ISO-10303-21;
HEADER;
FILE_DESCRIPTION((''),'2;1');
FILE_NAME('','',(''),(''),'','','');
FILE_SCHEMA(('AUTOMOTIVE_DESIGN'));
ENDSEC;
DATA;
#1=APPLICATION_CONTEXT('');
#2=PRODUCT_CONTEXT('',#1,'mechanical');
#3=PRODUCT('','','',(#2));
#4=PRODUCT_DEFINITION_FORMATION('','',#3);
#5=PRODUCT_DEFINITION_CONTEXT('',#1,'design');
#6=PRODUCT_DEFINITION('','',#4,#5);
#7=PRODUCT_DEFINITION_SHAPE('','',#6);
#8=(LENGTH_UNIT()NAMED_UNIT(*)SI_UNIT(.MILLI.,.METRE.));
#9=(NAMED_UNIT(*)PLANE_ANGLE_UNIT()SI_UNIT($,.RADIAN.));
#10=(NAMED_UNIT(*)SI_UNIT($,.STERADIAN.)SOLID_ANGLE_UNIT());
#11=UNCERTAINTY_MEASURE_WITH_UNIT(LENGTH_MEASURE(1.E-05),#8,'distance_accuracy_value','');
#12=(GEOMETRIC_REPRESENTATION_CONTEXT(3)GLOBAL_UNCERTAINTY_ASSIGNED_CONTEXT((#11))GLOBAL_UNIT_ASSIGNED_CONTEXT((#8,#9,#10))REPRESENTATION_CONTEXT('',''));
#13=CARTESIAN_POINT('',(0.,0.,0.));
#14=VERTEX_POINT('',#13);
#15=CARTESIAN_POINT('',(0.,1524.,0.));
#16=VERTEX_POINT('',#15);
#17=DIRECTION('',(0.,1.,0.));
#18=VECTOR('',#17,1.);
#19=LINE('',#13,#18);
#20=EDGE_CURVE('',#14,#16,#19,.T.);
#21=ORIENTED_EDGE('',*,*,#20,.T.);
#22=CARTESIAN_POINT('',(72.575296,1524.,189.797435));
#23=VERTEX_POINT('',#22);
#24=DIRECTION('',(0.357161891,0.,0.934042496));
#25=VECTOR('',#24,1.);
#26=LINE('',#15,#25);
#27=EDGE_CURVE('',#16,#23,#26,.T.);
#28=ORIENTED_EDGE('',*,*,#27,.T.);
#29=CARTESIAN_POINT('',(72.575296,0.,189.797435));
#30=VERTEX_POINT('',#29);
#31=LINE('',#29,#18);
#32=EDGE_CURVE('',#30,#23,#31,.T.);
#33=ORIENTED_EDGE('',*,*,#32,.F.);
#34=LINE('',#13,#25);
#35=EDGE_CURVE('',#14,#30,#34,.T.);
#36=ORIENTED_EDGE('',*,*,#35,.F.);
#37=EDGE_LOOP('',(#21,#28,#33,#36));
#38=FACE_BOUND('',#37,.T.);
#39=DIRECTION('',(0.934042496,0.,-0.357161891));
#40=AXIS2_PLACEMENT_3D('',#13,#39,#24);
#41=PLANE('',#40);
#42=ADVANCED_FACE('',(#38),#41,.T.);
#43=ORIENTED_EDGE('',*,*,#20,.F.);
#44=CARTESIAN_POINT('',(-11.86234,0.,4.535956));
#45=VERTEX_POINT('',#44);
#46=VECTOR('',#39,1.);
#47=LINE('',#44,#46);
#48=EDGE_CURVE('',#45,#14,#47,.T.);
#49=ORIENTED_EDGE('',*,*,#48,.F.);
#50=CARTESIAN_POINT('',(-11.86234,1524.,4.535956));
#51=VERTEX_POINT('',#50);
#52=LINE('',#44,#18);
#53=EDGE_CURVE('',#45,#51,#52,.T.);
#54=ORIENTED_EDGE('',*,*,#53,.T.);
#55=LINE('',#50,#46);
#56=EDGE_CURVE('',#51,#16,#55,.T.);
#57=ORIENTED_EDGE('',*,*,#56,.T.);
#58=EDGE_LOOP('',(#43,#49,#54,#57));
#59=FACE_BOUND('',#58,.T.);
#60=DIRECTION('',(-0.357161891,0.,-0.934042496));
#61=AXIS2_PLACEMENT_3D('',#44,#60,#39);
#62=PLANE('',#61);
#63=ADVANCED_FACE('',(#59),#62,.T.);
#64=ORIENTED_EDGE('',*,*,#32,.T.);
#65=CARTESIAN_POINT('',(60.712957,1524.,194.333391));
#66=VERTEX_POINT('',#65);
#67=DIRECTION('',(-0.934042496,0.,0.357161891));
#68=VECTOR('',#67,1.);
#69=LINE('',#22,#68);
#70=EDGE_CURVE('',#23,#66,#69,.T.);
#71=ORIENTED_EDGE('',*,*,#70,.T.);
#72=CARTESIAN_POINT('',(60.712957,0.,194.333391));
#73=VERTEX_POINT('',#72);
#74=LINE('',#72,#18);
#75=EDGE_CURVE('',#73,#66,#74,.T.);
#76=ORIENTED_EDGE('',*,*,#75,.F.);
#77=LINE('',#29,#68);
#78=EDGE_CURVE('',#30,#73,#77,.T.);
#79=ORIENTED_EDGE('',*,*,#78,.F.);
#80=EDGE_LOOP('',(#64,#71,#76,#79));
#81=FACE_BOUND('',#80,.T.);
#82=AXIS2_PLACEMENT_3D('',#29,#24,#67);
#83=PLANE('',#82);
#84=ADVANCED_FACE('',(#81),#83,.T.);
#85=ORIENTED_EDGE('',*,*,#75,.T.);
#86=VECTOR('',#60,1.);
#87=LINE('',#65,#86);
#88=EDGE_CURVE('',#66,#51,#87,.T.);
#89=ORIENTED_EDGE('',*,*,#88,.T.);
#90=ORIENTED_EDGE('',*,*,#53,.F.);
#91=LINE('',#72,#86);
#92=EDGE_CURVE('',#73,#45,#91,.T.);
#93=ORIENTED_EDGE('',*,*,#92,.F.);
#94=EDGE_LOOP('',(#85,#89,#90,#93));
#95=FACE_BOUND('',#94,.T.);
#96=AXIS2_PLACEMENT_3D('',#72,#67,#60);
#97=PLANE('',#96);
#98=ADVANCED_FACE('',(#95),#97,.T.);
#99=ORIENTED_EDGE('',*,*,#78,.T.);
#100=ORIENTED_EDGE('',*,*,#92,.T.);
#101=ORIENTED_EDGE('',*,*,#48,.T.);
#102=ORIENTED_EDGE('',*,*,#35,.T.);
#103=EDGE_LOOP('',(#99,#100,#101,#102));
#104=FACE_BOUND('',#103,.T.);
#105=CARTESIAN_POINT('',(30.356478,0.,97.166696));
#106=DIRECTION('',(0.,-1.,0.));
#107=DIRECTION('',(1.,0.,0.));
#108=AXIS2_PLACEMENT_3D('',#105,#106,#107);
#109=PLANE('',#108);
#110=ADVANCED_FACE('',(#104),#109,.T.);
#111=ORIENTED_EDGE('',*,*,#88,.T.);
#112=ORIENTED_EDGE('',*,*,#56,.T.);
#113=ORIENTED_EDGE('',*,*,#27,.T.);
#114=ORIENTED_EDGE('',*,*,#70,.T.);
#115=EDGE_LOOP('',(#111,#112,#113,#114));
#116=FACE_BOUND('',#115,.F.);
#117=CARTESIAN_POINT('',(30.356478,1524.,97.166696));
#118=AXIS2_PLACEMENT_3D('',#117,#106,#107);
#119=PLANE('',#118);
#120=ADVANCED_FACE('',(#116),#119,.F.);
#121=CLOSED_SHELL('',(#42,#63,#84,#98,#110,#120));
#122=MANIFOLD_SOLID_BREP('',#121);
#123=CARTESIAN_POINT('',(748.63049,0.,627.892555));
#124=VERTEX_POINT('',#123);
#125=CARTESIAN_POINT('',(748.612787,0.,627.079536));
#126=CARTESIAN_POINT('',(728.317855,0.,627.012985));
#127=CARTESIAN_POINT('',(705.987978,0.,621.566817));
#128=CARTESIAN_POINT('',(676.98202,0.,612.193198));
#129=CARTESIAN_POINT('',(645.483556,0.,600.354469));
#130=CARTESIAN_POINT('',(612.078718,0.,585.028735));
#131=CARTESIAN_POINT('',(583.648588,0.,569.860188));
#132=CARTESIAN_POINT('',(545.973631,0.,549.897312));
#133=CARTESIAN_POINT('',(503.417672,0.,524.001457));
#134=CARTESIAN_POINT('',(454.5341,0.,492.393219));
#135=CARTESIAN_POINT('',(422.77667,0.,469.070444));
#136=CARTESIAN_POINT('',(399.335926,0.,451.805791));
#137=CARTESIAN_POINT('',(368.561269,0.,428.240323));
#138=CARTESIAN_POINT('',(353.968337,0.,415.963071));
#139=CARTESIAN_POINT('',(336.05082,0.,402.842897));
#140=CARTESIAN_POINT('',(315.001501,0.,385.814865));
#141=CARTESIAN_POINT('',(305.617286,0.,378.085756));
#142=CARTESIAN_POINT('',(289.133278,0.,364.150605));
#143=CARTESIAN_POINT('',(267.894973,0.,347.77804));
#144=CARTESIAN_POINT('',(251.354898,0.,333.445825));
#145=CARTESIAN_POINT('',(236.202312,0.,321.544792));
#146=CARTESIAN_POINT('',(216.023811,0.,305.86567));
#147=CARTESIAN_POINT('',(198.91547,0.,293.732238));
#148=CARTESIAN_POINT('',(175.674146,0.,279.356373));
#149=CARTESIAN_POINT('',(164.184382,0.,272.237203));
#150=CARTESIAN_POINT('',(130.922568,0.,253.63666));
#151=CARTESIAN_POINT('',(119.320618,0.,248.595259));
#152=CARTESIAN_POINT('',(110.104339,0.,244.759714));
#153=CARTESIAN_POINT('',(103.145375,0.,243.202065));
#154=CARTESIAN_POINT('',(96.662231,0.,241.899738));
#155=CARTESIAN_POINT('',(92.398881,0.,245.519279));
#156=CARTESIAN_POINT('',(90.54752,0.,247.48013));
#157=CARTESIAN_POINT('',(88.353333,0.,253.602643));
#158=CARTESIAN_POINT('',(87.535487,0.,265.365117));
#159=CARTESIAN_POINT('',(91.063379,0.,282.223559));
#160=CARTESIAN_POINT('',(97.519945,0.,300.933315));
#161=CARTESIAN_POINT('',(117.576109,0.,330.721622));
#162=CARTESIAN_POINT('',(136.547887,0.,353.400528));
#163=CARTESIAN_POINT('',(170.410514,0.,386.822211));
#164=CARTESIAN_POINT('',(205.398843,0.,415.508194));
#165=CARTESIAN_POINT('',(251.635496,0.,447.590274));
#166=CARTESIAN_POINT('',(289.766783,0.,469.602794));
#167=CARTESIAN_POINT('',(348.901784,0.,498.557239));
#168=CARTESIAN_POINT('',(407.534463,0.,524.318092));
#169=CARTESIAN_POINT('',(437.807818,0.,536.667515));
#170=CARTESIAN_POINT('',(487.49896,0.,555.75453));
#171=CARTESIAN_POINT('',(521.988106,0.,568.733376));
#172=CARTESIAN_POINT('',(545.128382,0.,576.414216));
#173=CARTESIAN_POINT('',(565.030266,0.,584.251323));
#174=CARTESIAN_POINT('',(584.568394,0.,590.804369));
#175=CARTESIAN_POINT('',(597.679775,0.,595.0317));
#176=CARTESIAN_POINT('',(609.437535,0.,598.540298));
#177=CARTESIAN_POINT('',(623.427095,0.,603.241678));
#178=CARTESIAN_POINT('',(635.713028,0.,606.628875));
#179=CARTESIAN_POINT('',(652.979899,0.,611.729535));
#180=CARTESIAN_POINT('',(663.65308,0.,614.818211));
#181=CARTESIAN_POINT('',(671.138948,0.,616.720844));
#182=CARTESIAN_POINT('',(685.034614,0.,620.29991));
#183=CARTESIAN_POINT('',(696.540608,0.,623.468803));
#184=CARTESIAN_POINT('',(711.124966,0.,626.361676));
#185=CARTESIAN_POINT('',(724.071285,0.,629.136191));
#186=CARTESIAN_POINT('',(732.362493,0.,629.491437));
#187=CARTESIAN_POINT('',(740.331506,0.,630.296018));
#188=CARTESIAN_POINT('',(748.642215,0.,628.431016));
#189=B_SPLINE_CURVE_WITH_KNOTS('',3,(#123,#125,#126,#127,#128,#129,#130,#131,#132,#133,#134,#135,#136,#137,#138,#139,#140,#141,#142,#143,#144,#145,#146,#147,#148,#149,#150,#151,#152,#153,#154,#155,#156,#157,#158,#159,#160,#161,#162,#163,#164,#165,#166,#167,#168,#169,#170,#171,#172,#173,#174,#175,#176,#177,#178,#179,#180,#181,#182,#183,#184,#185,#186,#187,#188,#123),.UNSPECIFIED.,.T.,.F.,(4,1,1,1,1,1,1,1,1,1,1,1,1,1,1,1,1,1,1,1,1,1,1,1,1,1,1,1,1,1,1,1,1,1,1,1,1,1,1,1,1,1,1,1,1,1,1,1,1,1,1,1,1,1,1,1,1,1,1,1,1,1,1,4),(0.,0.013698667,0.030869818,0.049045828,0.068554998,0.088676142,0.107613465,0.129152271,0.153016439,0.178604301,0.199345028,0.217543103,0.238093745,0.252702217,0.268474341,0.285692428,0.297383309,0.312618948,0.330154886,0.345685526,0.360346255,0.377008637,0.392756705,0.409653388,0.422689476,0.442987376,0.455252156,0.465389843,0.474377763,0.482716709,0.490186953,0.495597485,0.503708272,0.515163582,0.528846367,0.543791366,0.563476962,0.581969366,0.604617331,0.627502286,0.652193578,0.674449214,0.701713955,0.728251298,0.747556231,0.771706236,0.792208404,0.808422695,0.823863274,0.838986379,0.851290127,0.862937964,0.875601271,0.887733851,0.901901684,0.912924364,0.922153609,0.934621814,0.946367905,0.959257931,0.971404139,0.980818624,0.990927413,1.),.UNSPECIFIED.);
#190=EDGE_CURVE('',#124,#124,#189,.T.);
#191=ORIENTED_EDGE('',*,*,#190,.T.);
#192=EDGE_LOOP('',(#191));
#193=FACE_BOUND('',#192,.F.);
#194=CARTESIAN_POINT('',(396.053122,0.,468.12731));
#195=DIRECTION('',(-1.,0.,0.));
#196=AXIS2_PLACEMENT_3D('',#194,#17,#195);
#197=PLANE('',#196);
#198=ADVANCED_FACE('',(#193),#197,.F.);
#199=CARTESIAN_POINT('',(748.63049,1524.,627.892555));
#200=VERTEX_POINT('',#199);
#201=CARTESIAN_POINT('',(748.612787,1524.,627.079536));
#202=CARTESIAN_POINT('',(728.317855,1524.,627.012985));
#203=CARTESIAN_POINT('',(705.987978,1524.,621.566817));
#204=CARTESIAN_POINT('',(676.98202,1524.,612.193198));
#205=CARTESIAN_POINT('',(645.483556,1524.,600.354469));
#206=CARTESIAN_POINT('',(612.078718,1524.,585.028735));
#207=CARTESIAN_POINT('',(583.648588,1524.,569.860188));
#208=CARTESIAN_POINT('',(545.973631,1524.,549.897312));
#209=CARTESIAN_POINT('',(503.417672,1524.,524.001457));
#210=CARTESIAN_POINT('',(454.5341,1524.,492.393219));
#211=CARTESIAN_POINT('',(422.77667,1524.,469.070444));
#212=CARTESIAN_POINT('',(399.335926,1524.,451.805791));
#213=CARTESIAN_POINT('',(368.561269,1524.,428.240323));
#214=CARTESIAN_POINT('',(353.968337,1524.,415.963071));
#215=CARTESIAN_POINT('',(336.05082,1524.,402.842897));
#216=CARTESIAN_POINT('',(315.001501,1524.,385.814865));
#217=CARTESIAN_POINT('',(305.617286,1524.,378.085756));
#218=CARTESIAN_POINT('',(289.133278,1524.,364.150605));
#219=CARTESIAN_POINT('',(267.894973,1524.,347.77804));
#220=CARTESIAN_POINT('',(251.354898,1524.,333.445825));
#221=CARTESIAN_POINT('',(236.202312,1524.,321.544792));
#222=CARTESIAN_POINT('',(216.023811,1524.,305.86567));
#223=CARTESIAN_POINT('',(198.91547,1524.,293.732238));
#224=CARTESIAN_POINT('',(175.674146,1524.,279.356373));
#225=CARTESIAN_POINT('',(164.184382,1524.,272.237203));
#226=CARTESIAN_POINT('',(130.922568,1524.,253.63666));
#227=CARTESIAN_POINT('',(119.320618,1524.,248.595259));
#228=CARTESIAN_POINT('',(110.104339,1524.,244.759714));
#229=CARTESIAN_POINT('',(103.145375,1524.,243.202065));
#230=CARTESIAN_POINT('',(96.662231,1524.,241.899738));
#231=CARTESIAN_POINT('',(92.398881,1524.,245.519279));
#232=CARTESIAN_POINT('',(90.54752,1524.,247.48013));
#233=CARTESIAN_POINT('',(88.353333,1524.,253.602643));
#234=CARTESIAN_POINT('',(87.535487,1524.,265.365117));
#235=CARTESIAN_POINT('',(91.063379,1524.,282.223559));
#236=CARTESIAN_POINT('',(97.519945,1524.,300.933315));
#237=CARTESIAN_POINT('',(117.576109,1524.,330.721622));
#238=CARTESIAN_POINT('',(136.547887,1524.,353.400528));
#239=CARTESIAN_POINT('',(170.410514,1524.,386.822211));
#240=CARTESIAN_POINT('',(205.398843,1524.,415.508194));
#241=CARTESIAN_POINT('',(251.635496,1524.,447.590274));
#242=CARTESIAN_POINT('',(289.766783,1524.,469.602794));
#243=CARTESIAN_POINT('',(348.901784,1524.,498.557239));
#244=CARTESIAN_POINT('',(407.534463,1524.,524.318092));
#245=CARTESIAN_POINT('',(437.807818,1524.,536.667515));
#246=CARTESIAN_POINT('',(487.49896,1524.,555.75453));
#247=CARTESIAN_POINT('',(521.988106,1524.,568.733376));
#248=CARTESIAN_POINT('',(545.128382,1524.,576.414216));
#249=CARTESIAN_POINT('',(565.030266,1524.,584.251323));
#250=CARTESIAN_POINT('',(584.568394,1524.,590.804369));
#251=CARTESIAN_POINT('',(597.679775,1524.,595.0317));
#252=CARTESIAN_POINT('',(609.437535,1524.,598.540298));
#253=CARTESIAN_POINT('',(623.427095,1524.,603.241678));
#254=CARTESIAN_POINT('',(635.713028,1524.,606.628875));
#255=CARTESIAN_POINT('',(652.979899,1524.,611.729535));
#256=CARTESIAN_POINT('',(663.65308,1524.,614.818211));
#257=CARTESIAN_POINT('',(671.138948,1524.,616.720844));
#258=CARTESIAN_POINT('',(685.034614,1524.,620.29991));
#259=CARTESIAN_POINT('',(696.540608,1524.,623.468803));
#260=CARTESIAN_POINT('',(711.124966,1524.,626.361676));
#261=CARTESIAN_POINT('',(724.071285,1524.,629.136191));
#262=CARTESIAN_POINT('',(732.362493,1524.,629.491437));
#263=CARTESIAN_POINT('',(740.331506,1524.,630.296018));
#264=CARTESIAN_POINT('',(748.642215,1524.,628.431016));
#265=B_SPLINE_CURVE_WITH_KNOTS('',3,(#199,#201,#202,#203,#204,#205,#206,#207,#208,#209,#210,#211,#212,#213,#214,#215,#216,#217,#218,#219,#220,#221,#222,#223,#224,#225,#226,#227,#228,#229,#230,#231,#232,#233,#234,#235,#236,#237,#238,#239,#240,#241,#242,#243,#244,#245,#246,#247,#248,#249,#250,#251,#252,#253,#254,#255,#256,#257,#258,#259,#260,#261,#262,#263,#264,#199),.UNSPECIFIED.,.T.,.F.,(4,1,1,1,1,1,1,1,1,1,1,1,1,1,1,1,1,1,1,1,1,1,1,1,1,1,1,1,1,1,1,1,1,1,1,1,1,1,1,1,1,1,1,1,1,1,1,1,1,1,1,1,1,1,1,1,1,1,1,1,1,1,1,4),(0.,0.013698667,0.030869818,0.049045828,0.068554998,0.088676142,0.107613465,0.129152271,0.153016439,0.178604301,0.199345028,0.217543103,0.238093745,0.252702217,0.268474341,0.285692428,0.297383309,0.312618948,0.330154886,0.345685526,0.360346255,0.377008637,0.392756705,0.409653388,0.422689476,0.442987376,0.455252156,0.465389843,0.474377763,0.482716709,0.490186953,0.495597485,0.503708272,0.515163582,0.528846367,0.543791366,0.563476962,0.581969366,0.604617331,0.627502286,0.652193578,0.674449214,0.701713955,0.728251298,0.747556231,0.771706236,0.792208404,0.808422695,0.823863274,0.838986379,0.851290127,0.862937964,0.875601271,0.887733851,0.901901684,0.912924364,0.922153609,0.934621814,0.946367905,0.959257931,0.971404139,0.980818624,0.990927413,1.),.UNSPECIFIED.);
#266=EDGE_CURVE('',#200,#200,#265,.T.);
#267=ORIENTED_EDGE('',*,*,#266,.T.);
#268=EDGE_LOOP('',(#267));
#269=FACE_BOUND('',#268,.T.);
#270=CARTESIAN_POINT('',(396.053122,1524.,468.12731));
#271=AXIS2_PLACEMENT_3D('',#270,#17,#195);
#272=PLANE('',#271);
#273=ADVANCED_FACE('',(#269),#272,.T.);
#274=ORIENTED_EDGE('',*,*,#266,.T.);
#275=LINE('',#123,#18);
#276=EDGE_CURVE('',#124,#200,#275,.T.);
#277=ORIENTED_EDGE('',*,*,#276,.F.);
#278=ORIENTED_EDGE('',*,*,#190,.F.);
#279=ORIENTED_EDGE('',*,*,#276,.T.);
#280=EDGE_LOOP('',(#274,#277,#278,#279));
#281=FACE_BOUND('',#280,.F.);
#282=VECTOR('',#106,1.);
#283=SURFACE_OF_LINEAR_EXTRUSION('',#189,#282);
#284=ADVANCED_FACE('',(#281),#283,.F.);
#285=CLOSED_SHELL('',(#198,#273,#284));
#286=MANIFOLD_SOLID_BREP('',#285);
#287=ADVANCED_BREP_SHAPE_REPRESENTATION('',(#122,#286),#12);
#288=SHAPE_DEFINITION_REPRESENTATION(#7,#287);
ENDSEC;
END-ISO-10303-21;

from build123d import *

# Parameters (mm, degrees)
F2_DEPTH = 1524


with BuildPart() as f2:
    # F1 (on Front) → F2 (new body)
    with BuildSketch(Plane.XZ):
        Polygon((60.7129565815, 194.3333911173), (-11.8623396938, 4.5359560172), (0, 0), (72.5752962752, 189.7974351001), align=None)
    extrude(amount=-F2_DEPTH)


with BuildPart() as f2b:
    # F0 (on Front) → F2, piece 2 (new body)
    with BuildSketch(Plane.XZ):
        with BuildLine():
            add(Edge.make_bspline(
                [(748.6304900242, 627.8925554362), (748.612786657, 627.079536365), (728.317855468, 627.0129846348), (705.9879779043, 621.5668168104), (676.9820200254, 612.1931976817), (645.4835561731, 600.3544693304), (612.078717601, 585.0287351595), (583.6485878342, 569.8601879797), (545.9736311214, 549.8973121279), (503.417672083, 524.0014572282), (454.5341002583, 492.393218638), (422.7766699748, 469.0704444692), (399.3359261357, 451.8057914295), (368.5612694814, 428.2403230345), (353.9683372452, 415.9630713114), (336.0508196786, 402.8428971146), (315.0015007306, 385.8148654025), (305.6172860042, 378.0857557917), (289.1332778715, 364.1506053106), (267.894972916, 347.7780397845), (251.3548980035, 333.4458248597), (236.2023123337, 321.5447919865), (216.0238109835, 305.8656697645), (198.9154697647, 293.7322375738), (175.6741464525, 279.3563734477), (164.1843818417, 272.2372034279), (130.9225676191, 253.6366598088), (119.3206184342, 248.5952587659), (110.1043387393, 244.7597138195), (103.1453752123, 243.2020652408), (96.6622314339, 241.8997375928), (92.3988805989, 245.5192792446), (90.5475198095, 247.4801298418), (88.3533334459, 253.6026431089), (87.5354866029, 265.3651169362), (91.0633793268, 282.2235594857), (97.5199451373, 300.9333150453), (117.5761088879, 330.7216220501), (136.5478866346, 353.4005275289), (170.4105136756, 386.8222111463), (205.398842913, 415.5081941057), (251.6354959273, 447.5902736989), (289.7667834332, 469.6027942028), (348.901784228, 498.5572391235), (407.5344628294, 524.318091676), (437.8078183438, 536.6675147105), (487.4989599997, 555.7545296495), (521.9881055155, 568.733376127), (545.1283819835, 576.4142163092), (565.0302663654, 584.2513232454), (584.5683944602, 590.8043685618), (597.6797754406, 595.0316999356), (609.4375345308, 598.5402980549), (623.4270949645, 603.2416781652), (635.7130275017, 606.6288750561), (652.979899479, 611.7295347259), (663.6530796116, 614.818211301), (671.1389480508, 616.7208437639), (685.0346141442, 620.2999102484), (696.5406078856, 623.4688029268), (711.1249658236, 626.3616763669), (724.0712845174, 629.1361912304), (732.3624927855, 629.4914366677), (740.3315060466, 630.2960184281), (748.642214912, 628.4310155618), (748.6304900242, 627.8925554362)],
                knots=[0, 0, 0, 0, 0.013698667, 0.0308698175, 0.0490458277, 0.0685549977, 0.0886761422, 0.1076134652, 0.1291522713, 0.1530164391, 0.1786043008, 0.1993450279, 0.2175431028, 0.2380937448, 0.2527022168, 0.2684743408, 0.2856924276, 0.2973833088, 0.3126189478, 0.3301548859, 0.3456855261, 0.3603462545, 0.3770086366, 0.3927567052, 0.4096533881, 0.4226894765, 0.4429873765, 0.4552521561, 0.4653898431, 0.4743777625, 0.4827167093, 0.490186953, 0.4955974853, 0.5037082718, 0.5151635822, 0.5288463671, 0.5437913664, 0.5634769619, 0.5819693657, 0.6046173311, 0.6275022862, 0.6521935781, 0.6744492142, 0.7017139547, 0.7282512979, 0.7475562312, 0.7717062358, 0.7922084045, 0.8084226953, 0.8238632737, 0.8389863794, 0.8512901266, 0.8629379642, 0.8756012711, 0.8877338514, 0.9019016843, 0.9129243639, 0.9221536087, 0.9346218143, 0.9463679046, 0.9592579306, 0.9714041387, 0.9808186244, 0.9909274134, 1, 1, 1, 1], degree=3))
        make_face()
    extrude(amount=-F2_DEPTH)


solid = Compound([f2.part, f2b.part])
